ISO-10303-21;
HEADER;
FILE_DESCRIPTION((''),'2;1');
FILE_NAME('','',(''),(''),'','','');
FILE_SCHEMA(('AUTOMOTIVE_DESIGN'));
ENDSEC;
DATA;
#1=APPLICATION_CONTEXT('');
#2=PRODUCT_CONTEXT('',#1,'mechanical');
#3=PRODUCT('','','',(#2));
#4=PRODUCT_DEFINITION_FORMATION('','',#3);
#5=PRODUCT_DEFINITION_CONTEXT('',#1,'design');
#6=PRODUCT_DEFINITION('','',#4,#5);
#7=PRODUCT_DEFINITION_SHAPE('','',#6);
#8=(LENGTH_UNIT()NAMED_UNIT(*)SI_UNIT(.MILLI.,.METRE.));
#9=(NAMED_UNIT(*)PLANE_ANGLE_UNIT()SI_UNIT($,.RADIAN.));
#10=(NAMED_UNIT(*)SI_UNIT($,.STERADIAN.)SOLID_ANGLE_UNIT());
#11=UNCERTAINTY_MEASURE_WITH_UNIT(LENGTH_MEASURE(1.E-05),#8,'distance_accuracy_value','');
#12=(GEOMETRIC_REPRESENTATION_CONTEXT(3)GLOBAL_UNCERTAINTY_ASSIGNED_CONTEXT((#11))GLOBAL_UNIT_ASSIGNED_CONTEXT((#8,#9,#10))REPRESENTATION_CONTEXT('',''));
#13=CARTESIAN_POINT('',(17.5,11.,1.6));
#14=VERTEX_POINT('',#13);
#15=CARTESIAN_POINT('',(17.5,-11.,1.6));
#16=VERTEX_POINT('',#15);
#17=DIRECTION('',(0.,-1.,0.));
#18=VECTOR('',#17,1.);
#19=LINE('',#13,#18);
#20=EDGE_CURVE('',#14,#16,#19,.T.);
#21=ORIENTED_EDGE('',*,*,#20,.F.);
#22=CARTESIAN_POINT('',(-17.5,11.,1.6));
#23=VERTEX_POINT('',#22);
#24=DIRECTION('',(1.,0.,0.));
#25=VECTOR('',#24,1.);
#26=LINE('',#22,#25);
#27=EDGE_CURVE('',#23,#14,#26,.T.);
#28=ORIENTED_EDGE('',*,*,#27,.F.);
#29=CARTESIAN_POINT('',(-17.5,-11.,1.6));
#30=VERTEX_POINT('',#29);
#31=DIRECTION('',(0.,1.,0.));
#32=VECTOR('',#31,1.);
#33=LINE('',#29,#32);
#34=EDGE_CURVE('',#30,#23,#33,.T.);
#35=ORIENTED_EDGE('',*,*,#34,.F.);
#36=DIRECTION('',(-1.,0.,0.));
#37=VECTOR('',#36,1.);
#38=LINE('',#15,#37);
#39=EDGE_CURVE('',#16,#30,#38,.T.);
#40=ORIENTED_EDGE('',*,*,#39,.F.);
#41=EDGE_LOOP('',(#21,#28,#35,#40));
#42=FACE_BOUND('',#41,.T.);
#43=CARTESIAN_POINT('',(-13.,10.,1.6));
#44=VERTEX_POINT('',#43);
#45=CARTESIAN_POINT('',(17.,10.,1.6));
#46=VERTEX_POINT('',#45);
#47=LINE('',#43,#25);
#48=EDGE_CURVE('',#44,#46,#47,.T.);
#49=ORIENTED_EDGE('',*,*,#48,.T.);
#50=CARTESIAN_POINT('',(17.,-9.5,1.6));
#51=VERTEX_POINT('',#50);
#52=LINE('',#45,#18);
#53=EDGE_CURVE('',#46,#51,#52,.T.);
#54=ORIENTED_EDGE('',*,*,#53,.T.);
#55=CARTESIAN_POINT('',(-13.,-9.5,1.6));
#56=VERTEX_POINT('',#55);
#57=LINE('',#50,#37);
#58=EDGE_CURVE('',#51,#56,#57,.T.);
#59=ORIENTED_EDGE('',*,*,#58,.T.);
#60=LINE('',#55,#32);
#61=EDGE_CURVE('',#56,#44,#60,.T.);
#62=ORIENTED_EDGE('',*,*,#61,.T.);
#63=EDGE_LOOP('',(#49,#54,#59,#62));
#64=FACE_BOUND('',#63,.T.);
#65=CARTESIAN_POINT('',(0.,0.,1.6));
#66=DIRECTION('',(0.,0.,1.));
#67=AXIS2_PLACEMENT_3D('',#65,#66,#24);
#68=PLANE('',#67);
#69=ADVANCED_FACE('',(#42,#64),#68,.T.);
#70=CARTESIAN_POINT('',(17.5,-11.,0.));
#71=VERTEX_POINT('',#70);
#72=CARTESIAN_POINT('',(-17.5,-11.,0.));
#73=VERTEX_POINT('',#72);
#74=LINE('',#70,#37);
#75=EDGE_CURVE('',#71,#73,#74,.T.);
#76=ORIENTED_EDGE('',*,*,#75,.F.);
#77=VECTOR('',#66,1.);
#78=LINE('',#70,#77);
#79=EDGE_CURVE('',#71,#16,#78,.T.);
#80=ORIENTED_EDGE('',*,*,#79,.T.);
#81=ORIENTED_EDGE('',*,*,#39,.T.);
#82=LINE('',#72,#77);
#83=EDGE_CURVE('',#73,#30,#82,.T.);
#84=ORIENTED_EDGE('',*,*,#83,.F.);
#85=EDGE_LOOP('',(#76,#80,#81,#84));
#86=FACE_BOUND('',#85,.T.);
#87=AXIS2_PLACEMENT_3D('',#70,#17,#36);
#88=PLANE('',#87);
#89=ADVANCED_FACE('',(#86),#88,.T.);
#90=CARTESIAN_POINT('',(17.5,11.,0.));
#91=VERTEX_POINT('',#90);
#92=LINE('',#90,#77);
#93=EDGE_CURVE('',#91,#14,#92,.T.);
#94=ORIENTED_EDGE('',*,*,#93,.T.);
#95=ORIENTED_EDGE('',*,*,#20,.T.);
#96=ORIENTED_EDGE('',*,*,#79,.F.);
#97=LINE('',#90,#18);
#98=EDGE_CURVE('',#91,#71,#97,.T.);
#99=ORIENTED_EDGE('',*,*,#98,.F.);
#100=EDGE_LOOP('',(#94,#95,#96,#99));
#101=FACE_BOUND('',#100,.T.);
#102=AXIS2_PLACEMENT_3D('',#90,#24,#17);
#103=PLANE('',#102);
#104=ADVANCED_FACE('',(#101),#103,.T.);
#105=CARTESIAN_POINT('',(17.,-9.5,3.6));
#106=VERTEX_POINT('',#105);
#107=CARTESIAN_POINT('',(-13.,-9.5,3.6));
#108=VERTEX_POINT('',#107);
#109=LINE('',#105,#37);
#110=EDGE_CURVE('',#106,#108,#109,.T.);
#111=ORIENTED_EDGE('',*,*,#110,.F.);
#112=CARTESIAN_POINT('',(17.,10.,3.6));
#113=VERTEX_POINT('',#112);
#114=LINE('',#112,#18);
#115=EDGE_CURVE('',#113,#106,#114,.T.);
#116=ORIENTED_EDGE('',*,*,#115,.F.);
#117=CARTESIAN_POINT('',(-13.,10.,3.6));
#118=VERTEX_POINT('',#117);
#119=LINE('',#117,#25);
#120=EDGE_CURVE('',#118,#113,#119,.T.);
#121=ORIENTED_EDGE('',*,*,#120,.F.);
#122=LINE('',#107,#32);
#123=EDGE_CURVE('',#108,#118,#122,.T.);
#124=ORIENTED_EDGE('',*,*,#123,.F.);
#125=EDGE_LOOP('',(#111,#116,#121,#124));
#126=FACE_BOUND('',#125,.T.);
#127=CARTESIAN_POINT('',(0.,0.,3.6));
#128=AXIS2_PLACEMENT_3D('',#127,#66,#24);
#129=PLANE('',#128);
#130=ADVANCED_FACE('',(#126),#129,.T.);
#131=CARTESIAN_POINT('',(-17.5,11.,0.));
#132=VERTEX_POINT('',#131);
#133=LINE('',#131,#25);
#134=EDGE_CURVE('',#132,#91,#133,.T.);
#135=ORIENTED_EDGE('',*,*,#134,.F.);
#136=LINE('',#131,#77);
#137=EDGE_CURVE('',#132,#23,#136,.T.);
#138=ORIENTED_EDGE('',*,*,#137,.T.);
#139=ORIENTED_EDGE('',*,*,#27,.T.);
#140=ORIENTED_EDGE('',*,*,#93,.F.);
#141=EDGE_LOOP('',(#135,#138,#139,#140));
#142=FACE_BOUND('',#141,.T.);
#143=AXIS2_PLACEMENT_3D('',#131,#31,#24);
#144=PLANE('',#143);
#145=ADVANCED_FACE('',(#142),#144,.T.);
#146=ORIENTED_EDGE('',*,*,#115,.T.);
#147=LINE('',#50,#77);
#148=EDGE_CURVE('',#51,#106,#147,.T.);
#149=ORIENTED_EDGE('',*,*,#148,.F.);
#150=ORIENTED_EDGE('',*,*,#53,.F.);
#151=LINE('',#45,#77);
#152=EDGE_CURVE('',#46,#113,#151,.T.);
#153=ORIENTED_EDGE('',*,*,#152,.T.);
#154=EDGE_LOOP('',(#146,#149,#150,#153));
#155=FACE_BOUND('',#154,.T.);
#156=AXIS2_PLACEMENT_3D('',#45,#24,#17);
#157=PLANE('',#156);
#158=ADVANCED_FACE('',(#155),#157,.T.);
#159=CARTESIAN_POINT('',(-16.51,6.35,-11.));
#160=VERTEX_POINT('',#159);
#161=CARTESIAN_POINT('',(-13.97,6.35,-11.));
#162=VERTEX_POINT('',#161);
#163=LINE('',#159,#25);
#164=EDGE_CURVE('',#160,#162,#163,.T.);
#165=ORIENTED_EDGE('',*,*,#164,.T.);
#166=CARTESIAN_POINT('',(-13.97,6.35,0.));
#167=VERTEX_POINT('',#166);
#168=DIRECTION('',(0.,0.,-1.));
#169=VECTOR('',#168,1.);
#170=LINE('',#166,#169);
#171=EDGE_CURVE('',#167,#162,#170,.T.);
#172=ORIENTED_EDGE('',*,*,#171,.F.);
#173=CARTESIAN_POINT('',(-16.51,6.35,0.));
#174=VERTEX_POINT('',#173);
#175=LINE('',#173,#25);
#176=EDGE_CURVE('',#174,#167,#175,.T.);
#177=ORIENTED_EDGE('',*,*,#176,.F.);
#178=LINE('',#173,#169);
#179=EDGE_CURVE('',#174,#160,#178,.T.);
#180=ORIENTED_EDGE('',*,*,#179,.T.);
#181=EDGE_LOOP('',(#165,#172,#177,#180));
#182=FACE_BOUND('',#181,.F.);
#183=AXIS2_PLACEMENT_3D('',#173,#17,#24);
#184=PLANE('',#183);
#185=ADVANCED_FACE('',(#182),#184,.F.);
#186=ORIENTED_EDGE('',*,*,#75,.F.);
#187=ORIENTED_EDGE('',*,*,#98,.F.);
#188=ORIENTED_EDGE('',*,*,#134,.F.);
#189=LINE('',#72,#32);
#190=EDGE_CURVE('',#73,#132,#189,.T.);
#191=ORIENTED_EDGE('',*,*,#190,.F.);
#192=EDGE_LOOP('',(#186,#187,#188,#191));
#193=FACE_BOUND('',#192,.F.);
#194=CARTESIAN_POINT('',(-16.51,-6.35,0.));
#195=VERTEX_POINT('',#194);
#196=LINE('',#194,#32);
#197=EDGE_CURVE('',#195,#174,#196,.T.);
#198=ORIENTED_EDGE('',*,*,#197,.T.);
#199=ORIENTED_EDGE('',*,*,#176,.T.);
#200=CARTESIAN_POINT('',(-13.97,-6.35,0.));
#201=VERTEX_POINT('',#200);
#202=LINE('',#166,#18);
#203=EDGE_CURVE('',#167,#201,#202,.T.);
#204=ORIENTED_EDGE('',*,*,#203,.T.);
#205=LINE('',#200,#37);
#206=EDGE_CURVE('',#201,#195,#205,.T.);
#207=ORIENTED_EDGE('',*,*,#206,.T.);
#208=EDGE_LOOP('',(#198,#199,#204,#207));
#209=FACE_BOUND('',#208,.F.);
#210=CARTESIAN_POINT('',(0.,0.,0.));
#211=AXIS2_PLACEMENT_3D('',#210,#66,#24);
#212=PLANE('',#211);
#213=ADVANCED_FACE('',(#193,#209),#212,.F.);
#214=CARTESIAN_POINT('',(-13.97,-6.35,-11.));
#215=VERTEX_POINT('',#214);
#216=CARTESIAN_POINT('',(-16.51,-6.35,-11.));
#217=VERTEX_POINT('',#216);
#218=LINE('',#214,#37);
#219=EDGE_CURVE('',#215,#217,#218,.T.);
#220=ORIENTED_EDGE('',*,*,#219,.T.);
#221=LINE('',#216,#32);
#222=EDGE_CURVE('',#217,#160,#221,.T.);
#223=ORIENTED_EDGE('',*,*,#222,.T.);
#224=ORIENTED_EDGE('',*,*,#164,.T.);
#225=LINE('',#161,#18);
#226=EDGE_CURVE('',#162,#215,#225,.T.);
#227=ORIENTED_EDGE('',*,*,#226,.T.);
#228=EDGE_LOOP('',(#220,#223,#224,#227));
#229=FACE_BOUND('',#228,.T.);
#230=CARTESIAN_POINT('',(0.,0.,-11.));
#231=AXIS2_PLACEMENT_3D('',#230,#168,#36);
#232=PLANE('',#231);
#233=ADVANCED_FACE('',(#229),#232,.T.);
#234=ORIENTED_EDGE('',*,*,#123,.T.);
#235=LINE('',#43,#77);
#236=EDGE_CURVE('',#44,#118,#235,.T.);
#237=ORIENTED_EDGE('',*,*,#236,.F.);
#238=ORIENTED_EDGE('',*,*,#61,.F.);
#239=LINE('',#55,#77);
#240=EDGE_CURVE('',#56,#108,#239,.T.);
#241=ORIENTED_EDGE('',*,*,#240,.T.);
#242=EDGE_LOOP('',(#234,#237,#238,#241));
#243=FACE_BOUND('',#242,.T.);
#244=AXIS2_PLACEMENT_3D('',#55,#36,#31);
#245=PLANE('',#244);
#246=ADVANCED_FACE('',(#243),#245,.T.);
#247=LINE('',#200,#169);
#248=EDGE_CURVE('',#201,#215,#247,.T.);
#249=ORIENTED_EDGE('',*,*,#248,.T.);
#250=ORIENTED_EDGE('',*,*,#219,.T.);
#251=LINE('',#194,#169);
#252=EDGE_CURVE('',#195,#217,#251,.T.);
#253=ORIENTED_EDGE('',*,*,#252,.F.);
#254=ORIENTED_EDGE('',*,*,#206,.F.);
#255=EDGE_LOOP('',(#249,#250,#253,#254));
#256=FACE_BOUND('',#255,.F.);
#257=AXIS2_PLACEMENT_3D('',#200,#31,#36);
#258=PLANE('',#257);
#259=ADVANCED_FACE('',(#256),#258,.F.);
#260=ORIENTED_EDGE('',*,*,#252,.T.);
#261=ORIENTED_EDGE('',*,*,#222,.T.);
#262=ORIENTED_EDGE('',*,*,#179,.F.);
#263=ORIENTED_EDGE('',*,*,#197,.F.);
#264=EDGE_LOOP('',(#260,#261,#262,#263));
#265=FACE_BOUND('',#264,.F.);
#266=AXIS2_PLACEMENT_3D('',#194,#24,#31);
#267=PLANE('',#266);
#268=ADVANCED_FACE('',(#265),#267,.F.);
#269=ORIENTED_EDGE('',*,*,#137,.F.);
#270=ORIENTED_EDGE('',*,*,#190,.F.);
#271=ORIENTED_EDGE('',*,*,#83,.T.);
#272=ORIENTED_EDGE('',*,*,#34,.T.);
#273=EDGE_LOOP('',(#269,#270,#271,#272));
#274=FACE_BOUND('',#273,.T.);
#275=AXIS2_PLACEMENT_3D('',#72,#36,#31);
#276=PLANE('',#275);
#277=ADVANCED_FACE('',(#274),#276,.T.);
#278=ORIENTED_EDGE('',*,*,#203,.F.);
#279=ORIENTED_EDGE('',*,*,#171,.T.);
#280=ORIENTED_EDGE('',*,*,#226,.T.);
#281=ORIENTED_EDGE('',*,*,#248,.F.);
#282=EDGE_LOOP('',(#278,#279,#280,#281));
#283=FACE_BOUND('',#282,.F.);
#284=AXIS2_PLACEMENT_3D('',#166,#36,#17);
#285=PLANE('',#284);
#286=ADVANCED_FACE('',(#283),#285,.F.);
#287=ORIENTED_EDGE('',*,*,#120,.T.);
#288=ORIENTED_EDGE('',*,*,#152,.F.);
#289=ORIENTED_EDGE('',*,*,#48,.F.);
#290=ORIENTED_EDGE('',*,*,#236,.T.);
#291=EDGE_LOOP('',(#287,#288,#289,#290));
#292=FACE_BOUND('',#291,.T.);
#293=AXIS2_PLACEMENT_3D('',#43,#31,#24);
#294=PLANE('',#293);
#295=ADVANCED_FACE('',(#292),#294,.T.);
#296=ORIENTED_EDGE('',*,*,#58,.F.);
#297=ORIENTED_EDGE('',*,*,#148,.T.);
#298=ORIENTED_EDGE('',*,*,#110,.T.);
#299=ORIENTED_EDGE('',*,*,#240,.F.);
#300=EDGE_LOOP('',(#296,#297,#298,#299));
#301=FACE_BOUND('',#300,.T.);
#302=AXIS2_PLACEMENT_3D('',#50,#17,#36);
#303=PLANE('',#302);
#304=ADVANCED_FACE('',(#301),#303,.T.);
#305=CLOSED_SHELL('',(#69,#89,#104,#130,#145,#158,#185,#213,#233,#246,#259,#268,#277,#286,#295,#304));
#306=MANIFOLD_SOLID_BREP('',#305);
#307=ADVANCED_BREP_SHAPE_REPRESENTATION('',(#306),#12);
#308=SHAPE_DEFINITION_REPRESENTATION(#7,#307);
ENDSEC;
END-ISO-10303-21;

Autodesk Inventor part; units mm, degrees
ref_plane "YZ Plane" through (0, 0, 0) normal (1, 0, 0) x (0, 1, 0)
ref_plane "XZ Plane" through (0, 0, 0) normal (0, 1, 0) x (-1, 0, 0)
ref_plane "XY Plane" through (0, 0, 0) normal (0, 0, 1) x (1, 0, 0)
sketch "スケッチ1" plane through (0, 0, 0) normal (0, 0, 1) x (1, 0, 0)
  line L0 (-17.5, 11) -> (17.5, 11)
  line L1 (17.5, 11) -> (17.5, -11)
  line L2 (17.5, -11) -> (-17.5, -11)
  line L3 (-17.5, -11) -> (-17.5, 11)
  point P0 (0, 0)
  point P1 (-17.5, 0)
  point P2 (0, 11)
  dimension "d0" = 35
  dimension "d1" = 22
extrude "押し出し1" add sketch "スケッチ1" along normal blind 1.6
sketch "スケッチ2" plane through (0, 0, 0) normal (0, 0, -1) x (-1, 0, 0)
  line L0 (15.24, 13.4783) -> (15.24, -13.8825) construction
  line L1 (17.5, 11) -> (17.5, -11) construction
  line L2 (18.6717, -5.08) -> (13.4177, -5.08) construction
  line L3 (17.5, -11) -> (-17.5, -11) construction
  line L4 (13.97, -6.35) -> (16.51, -6.35)
  line L5 (16.51, -6.35) -> (16.51, 6.35)
  line L6 (16.51, 6.35) -> (13.97, 6.35)
  line L7 (13.97, 6.35) -> (13.97, -6.35)
  point P0 (0, 0)
  point P1 (15.24, -6.35)
  dimension "d4" = 2.26
  dimension "d5" = 5.92
  dimension "d6" = 2.54
  dimension "d7" = 1.27
  dimension "d8" = 12.7
extrude "押し出し2" add sketch "スケッチ2" along normal blind 11
sketch "スケッチ3" plane through (0, 0, 1.6) normal (0, 0, 1) x (1, 0, 0)
  line L0 (-13, 10) -> (17, 10)
  line L1 (17, 10) -> (17, -9.5)
  line L2 (17, -9.5) -> (-13, -9.5)
  line L3 (-13, -9.5) -> (-13, 10)
  line L4 (17.5, 11) -> (-17.5, 11) projected
  line L5 (17.5, -11) -> (17.5, 11) projected
  point P0 (0, 0)
  dimension "d11" = 30
  dimension "d12" = 19.5
  dimension "d13" = 1
  dimension "d14" = 0.5
extrude "押し出し3" add sketch "スケッチ3" along normal blind 2
properties part number "PCB-AE-AQM0802"
